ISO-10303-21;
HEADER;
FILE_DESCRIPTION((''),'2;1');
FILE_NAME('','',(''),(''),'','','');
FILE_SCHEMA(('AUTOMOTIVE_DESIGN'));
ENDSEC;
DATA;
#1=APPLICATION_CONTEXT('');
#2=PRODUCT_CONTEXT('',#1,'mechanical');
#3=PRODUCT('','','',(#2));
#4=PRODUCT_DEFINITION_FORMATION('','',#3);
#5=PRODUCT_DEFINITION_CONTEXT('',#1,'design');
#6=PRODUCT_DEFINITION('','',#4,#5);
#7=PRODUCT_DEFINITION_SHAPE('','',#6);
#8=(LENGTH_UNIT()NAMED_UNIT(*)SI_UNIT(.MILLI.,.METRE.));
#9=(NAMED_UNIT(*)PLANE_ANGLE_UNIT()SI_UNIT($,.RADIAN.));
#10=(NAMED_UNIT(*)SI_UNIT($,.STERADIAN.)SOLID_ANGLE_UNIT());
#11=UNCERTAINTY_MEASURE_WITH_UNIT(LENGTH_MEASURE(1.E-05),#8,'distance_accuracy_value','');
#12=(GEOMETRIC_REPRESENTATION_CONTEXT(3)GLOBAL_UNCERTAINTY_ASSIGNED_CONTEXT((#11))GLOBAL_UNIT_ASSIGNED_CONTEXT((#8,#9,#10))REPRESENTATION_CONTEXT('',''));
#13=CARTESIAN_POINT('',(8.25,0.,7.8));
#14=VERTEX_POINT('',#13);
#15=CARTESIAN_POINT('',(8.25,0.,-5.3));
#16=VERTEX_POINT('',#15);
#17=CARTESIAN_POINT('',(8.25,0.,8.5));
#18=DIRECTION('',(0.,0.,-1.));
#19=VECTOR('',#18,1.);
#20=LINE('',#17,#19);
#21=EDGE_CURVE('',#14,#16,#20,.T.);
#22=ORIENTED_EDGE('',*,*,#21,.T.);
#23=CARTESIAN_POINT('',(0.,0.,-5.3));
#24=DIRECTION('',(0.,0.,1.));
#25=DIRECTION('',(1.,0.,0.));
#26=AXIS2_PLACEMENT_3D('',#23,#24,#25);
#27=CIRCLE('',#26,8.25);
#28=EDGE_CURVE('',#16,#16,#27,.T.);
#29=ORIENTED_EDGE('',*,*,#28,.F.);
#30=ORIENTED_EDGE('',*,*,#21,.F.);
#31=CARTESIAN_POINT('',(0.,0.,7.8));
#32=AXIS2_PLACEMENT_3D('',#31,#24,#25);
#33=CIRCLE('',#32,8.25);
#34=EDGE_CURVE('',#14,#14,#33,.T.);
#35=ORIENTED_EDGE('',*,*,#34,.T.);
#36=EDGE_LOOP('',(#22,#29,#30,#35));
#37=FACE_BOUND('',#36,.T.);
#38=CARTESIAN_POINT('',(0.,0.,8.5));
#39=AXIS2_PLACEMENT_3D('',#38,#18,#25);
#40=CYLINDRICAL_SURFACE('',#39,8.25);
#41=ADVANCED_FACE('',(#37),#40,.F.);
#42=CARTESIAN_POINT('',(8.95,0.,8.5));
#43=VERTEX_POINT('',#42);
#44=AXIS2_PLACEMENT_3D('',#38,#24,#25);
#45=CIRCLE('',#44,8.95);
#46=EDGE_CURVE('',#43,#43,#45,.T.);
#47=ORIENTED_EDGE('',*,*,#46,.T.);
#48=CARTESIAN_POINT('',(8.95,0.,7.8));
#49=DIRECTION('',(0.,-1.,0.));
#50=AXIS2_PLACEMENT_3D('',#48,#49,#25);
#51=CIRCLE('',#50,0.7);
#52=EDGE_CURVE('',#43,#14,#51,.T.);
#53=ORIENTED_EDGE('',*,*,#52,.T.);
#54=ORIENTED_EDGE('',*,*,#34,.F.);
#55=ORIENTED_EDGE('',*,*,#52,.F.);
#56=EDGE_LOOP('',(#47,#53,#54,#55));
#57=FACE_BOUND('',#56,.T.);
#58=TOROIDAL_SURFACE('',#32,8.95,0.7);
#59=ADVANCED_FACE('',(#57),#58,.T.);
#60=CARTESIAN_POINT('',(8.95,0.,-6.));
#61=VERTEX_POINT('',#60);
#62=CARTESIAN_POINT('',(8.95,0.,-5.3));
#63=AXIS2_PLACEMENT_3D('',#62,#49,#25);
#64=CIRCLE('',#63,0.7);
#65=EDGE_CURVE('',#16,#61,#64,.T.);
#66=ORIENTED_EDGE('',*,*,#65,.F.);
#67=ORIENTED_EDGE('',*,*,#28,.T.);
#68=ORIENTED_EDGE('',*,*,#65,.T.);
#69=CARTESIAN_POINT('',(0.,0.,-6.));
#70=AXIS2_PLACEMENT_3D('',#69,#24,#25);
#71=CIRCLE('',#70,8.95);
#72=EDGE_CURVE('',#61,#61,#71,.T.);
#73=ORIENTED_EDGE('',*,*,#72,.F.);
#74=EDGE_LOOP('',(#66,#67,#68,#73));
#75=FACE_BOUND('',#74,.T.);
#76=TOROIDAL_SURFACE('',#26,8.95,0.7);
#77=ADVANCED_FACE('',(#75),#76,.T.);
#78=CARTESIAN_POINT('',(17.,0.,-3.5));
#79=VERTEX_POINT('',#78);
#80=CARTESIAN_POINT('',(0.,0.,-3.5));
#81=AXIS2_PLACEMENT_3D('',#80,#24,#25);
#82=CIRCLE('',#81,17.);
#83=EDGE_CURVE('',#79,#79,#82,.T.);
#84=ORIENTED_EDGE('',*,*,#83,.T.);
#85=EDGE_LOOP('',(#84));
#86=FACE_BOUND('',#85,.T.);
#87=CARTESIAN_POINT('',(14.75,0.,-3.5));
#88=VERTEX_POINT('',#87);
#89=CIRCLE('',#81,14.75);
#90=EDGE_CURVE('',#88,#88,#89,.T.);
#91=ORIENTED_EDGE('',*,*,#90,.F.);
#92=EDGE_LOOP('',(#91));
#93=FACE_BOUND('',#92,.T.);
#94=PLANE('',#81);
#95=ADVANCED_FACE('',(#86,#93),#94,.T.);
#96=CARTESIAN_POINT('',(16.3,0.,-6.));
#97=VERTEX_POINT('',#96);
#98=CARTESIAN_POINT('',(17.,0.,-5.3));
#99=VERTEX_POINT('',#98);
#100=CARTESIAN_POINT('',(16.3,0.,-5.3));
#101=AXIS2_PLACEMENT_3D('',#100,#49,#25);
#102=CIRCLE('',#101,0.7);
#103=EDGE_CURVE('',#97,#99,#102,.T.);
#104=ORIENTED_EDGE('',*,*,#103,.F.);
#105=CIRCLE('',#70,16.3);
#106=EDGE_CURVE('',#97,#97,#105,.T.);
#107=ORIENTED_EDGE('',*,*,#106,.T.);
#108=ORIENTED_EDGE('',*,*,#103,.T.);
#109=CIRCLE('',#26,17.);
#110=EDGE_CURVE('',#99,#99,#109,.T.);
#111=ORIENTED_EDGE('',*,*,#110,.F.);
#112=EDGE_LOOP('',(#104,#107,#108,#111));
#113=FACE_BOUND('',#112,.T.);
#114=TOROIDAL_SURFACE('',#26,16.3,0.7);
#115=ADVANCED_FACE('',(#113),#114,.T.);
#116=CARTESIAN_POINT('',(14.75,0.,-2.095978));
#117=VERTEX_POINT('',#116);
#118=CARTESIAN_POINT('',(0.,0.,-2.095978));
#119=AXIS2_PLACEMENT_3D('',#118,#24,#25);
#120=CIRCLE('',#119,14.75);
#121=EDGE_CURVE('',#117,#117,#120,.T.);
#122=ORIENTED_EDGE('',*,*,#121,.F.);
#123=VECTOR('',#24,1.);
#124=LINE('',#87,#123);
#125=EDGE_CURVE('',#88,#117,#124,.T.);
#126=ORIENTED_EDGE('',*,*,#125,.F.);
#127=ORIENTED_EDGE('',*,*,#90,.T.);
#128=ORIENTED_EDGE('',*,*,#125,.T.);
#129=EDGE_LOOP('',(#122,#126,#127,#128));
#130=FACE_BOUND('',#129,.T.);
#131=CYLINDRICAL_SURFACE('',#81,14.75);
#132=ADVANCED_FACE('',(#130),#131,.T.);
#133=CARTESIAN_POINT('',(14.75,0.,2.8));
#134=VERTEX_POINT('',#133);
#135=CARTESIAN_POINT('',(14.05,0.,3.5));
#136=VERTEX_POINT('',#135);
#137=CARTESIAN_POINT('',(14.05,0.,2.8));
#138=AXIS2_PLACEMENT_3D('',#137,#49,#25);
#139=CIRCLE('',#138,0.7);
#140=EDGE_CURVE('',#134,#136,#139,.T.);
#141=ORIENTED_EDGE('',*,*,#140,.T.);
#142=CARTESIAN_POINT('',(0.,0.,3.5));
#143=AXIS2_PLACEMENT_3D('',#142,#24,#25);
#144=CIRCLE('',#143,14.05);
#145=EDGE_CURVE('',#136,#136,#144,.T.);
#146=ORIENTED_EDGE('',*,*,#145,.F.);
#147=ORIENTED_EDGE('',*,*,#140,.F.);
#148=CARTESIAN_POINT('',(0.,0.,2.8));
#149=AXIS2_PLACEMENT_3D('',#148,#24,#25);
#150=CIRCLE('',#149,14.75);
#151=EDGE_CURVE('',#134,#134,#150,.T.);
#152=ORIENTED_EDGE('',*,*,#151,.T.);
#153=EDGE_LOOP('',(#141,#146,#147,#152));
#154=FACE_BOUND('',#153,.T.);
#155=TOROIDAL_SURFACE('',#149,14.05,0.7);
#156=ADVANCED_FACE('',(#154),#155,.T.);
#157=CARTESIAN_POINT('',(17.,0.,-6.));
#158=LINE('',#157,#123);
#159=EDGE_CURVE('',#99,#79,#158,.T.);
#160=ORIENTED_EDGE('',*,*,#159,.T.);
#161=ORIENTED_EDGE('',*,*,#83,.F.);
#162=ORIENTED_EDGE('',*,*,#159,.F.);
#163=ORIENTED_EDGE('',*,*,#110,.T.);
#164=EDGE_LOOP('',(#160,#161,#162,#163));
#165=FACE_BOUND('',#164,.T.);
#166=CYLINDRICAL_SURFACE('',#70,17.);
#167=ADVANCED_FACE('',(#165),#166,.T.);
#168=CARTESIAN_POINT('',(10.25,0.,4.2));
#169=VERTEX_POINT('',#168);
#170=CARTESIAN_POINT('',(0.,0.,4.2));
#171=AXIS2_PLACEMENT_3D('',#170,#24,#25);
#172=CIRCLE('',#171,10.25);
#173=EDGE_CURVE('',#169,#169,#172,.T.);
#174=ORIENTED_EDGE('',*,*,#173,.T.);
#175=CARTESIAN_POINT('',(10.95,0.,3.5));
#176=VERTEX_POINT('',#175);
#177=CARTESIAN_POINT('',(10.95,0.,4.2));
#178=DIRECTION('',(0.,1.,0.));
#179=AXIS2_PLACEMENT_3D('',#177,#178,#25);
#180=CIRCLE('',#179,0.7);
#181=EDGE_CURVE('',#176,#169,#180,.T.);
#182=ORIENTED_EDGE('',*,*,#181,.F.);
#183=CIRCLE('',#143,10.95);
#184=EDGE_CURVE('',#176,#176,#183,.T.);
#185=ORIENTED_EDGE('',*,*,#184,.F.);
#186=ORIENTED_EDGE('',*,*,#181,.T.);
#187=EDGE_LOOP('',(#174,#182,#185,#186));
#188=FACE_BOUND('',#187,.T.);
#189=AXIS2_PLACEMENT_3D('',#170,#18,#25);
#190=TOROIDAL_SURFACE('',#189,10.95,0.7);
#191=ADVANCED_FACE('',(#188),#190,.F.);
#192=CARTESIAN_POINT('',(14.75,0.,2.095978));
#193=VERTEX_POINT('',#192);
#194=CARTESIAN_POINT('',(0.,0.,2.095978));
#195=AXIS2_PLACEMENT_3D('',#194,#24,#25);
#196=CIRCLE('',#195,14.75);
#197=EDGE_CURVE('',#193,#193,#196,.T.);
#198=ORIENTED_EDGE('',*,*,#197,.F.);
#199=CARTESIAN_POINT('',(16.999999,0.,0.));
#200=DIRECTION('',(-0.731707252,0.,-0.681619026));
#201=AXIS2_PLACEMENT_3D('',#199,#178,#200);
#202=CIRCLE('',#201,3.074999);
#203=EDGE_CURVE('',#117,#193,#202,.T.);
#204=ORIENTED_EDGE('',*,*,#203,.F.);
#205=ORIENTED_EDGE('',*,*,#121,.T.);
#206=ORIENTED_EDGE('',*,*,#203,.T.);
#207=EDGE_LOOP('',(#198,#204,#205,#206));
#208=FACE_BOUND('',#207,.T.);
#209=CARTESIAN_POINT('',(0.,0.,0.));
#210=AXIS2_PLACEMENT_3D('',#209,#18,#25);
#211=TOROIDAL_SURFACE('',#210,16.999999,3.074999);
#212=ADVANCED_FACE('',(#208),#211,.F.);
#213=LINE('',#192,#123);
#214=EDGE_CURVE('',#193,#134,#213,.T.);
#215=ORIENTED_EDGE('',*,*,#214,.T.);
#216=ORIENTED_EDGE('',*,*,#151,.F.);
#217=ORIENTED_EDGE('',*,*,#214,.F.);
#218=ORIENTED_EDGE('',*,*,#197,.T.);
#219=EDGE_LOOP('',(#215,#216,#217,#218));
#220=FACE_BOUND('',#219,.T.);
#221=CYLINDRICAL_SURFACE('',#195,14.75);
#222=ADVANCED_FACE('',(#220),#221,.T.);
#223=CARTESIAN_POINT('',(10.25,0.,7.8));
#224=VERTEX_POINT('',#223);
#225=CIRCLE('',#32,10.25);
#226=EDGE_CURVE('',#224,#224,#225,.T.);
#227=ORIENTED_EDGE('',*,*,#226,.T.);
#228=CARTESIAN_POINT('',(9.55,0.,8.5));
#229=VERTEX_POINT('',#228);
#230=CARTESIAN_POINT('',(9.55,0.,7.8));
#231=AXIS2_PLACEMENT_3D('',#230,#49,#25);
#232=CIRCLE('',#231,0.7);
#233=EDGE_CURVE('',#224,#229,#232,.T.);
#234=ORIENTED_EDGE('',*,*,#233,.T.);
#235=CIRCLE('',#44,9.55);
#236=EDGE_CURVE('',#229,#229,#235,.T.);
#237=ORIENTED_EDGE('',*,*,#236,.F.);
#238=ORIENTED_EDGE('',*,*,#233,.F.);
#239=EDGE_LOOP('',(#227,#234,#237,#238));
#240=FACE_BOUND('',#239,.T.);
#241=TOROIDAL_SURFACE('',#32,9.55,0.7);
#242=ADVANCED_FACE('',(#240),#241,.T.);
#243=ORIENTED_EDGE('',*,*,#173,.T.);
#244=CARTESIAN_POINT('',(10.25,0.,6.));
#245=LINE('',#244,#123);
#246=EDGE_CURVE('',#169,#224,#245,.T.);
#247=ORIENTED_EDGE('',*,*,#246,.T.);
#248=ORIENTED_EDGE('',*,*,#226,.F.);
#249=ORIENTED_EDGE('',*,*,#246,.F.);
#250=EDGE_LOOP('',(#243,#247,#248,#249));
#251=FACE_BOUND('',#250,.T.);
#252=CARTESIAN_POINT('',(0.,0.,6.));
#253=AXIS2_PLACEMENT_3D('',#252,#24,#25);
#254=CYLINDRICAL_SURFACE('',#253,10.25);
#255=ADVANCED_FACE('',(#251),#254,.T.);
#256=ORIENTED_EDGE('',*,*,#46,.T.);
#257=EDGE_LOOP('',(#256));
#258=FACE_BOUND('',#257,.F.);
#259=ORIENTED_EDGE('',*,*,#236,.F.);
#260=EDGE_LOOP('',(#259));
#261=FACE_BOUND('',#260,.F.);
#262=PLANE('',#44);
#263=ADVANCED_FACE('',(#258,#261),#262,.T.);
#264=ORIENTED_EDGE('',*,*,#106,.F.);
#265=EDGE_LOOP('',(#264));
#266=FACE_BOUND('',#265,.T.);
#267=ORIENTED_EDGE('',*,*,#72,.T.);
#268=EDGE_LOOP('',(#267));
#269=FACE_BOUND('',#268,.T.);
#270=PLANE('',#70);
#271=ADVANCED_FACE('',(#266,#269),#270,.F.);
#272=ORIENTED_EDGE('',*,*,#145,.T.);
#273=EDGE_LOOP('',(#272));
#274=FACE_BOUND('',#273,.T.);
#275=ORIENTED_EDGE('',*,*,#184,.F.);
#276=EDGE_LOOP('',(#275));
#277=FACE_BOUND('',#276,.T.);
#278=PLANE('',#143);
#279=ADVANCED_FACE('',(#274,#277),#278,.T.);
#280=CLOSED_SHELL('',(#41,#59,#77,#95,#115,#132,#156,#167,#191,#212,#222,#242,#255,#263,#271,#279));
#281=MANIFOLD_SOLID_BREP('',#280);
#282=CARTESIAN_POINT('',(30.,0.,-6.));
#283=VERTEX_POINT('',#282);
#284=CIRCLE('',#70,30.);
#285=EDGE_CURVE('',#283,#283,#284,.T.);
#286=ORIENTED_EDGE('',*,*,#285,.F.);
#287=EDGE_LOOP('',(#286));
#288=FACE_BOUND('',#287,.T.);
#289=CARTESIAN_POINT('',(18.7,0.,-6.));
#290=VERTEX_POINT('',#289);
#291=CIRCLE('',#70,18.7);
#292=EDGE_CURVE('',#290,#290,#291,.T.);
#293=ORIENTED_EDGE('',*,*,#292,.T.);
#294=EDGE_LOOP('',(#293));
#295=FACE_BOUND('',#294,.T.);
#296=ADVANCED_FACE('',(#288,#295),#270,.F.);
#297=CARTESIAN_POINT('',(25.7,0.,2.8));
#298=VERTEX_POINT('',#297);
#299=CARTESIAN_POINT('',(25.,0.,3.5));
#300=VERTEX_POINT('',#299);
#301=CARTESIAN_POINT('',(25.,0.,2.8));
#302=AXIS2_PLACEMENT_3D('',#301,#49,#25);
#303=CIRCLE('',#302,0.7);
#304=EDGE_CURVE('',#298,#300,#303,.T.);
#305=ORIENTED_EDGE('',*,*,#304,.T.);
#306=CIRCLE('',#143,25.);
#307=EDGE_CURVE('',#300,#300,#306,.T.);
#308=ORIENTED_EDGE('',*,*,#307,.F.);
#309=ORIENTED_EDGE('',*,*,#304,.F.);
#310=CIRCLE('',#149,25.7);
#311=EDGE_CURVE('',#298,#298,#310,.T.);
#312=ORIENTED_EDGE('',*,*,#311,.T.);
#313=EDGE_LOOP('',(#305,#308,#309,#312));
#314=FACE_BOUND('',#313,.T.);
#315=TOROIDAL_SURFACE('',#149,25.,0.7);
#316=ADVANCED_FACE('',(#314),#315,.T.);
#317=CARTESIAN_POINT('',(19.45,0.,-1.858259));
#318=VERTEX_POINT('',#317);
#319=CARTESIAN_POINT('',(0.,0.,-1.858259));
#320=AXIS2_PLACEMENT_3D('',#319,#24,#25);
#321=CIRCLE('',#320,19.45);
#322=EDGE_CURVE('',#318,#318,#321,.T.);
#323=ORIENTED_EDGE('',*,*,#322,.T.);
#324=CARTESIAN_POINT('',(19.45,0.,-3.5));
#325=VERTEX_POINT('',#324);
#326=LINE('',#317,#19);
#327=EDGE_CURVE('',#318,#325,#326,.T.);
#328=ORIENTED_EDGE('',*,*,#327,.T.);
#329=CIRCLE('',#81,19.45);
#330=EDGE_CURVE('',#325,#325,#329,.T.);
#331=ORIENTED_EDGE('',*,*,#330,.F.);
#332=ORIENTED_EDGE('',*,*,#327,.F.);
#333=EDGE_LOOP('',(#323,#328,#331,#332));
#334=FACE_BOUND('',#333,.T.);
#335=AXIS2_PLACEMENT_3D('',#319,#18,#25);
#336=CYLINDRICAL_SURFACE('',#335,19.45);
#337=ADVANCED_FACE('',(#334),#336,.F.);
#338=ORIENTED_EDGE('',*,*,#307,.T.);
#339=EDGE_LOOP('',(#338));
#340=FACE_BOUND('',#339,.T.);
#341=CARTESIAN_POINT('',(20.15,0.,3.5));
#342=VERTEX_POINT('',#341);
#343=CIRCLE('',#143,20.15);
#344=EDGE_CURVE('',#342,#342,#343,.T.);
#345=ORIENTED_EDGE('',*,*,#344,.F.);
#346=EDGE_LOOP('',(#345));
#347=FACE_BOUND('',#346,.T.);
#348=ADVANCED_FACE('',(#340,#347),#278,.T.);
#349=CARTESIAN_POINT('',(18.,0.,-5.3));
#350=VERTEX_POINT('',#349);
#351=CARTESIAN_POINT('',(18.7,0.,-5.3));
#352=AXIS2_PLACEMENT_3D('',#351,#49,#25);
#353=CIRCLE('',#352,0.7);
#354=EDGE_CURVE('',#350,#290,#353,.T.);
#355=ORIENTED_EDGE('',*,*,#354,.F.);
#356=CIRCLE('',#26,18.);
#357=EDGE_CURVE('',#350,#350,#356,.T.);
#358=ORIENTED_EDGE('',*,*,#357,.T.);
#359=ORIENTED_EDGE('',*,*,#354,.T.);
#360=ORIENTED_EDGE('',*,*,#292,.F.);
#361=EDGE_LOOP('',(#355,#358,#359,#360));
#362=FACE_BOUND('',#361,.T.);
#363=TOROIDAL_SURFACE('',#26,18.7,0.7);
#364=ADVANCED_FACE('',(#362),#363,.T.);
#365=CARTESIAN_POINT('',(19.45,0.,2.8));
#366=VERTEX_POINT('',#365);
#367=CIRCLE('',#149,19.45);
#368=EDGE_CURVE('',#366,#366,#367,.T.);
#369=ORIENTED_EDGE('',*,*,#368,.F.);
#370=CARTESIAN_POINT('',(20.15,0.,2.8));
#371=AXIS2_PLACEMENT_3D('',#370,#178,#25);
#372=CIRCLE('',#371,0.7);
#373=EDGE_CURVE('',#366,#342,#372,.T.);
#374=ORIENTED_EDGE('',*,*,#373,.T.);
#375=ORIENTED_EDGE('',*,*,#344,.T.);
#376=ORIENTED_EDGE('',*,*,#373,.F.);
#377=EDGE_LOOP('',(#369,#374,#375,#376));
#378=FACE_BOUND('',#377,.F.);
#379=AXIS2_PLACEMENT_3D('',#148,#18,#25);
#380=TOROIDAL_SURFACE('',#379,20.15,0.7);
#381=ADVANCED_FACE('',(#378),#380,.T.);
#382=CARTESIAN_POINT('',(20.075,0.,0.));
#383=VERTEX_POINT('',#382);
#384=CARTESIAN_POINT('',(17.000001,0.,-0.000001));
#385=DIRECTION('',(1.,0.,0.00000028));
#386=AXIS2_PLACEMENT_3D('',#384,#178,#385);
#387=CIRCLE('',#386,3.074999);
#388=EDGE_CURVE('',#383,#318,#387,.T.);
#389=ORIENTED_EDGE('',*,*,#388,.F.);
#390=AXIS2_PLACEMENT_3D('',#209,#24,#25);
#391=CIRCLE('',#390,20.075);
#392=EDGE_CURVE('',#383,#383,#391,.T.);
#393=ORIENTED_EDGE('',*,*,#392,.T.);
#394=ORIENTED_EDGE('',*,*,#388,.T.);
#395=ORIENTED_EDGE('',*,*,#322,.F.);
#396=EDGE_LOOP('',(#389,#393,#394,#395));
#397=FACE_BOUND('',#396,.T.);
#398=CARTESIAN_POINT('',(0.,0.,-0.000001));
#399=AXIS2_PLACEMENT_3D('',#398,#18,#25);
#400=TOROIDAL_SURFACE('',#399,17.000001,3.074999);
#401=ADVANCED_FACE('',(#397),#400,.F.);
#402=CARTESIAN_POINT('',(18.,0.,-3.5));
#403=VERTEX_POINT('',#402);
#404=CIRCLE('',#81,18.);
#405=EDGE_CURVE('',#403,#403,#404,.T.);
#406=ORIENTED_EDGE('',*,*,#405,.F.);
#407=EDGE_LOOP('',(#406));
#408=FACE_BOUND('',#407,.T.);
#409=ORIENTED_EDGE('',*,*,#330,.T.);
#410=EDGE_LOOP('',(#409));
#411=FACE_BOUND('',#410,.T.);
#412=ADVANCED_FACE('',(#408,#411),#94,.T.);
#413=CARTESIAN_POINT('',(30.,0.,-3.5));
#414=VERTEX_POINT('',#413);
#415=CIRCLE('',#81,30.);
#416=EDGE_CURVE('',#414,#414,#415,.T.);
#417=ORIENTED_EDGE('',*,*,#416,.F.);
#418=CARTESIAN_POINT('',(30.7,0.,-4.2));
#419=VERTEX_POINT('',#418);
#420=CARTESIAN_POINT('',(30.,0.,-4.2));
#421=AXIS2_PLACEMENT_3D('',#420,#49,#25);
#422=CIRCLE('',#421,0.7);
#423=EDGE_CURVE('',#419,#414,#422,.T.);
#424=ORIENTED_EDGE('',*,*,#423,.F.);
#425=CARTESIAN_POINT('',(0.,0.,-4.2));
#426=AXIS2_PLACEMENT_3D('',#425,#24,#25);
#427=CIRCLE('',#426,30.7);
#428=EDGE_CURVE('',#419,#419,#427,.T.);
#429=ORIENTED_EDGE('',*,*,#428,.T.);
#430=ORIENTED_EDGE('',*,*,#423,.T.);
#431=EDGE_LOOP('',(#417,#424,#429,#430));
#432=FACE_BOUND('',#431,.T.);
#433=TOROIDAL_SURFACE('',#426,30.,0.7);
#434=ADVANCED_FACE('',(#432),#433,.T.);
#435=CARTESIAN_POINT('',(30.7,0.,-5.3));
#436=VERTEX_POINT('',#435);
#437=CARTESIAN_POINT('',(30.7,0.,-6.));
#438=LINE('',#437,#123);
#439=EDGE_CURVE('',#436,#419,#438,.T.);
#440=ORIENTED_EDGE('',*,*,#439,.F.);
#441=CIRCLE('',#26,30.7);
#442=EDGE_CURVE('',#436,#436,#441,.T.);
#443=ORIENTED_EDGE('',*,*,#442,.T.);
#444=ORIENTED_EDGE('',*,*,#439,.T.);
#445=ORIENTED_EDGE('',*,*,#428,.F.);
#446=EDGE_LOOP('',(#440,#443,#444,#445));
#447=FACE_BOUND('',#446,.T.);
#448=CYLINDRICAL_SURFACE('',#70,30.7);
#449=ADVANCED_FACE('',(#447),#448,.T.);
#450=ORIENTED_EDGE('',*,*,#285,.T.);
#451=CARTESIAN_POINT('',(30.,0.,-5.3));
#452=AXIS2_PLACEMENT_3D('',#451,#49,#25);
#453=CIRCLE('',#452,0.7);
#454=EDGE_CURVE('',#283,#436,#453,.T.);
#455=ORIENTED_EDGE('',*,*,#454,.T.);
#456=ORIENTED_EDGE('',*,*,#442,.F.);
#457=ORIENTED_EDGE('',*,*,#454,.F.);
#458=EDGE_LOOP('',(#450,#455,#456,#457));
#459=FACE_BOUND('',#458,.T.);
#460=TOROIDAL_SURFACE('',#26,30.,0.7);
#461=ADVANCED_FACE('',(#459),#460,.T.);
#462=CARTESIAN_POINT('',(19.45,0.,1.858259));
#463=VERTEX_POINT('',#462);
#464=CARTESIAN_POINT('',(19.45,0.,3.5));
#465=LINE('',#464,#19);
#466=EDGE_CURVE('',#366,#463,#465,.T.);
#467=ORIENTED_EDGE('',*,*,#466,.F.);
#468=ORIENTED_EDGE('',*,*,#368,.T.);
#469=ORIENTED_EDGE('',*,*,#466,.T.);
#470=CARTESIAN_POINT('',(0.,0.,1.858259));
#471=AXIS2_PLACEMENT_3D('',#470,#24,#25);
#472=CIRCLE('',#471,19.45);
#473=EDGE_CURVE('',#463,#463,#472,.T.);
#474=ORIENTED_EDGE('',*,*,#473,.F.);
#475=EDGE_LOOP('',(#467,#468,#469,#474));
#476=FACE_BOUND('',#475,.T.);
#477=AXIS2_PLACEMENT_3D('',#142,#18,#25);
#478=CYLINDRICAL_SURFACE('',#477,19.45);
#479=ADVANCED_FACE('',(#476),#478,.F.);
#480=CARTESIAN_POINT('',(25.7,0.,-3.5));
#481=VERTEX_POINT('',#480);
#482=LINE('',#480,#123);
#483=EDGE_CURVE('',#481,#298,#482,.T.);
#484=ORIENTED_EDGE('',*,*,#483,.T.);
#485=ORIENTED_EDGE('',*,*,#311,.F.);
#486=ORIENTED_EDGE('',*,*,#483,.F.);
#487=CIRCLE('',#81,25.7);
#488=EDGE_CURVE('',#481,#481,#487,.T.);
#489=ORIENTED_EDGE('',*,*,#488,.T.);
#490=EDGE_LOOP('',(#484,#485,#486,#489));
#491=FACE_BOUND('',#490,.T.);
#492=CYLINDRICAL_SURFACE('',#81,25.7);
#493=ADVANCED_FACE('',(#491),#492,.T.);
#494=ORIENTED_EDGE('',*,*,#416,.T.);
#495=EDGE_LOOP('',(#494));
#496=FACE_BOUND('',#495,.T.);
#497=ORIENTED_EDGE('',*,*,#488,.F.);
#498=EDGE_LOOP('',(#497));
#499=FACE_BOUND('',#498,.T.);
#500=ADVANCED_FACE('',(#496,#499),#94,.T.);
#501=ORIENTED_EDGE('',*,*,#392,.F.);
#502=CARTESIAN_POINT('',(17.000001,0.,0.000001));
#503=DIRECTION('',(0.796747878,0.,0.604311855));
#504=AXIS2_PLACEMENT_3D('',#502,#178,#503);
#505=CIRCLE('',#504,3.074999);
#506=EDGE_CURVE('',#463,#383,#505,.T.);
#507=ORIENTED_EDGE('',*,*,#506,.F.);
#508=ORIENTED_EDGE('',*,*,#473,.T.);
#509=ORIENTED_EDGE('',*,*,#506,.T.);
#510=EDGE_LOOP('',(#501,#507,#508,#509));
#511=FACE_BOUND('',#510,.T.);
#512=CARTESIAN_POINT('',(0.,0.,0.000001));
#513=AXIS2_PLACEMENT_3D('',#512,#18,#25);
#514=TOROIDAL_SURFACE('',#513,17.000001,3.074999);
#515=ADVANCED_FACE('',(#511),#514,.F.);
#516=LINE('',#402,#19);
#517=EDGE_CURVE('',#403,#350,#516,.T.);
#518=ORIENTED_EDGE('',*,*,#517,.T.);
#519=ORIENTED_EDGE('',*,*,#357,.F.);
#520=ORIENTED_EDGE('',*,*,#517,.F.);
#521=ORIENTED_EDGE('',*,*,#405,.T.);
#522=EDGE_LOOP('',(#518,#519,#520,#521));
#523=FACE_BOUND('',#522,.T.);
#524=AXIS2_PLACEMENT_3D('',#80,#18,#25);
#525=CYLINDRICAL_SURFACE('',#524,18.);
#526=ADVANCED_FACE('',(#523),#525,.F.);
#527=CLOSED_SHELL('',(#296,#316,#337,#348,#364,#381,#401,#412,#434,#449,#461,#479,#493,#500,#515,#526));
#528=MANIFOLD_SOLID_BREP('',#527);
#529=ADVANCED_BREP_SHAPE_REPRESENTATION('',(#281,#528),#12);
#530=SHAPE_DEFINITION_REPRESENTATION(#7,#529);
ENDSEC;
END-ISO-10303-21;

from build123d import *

# Parameters (mm, degrees)
F0_W = 2
F0_H = 5
F2_R = 0.7


with BuildPart() as f1:
    # F0 (on Front) → F1 (revolve)
    with BuildSketch(Plane.XZ):
        with BuildLine():
            Line((10.25, 3.5), (8.25, 3.5))
            Line((8.25, 3.5), (8.25, -3.5))
            Line((8.25, -3.5), (14.75, -3.5))
            Line((14.75, -3.5), (14.75, -2.095978))
            ThreePointArc((14.75, -2.095978), (13.925, 0), (14.75, 2.095978))
            Line((14.75, 2.095978), (14.75, 3.5))
            Line((14.75, 3.5), (10.25, 3.5))
        make_face()
        with BuildLine():
            Line((19.45, 3.5), (19.45, 1.858259))
            ThreePointArc((19.45, 1.858259), (19.914565, 0.980274), (20.075, 0))
            ThreePointArc((20.075, 0), (19.914565, -0.980274), (19.45, -1.858259))
            Line((19.45, -1.858259), (19.45, -3.5))
            Line((19.45, -3.5), (25.7, -3.5))
            Line((25.7, -3.5), (25.7, 3.5))
            Line((25.7, 3.5), (19.45, 3.5))
        make_face()
        with Locations((9.25, 6)):
            Rectangle(F0_W, F0_H)
        Polygon((14.75, -3.5), (8.25, -3.5), (8.25, -6), (17, -6), (17, -3.5), align=None)
        Polygon((25.7, -3.5), (19.45, -3.5), (18, -3.5), (18, -6), (30.7, -6), (30.7, -3.5), align=None)
    revolve(axis=Axis((0, 0, 4.716056), (0, 0, 1)))

    # F2
    f2_edges = [f1.edges().sort_by_distance(p)[0] for p in [
        (-8.25, 0, -6),
        (-17, 0, -6),
        (-18, 0, -6),
        (-30.7, 0, -6),
        (-30.7, 0, -3.5),
        (-25.7, 0, 3.5),
        (-19.45, 0, 3.5),
        (-14.75, 0, 3.5),
        (-10.25, 0, 3.5),
        (-10.25, 0, 8.5),
        (-8.25, 0, 8.5),
    ]]
    fillet(f2_edges, radius=F2_R)


solid = f1.part
